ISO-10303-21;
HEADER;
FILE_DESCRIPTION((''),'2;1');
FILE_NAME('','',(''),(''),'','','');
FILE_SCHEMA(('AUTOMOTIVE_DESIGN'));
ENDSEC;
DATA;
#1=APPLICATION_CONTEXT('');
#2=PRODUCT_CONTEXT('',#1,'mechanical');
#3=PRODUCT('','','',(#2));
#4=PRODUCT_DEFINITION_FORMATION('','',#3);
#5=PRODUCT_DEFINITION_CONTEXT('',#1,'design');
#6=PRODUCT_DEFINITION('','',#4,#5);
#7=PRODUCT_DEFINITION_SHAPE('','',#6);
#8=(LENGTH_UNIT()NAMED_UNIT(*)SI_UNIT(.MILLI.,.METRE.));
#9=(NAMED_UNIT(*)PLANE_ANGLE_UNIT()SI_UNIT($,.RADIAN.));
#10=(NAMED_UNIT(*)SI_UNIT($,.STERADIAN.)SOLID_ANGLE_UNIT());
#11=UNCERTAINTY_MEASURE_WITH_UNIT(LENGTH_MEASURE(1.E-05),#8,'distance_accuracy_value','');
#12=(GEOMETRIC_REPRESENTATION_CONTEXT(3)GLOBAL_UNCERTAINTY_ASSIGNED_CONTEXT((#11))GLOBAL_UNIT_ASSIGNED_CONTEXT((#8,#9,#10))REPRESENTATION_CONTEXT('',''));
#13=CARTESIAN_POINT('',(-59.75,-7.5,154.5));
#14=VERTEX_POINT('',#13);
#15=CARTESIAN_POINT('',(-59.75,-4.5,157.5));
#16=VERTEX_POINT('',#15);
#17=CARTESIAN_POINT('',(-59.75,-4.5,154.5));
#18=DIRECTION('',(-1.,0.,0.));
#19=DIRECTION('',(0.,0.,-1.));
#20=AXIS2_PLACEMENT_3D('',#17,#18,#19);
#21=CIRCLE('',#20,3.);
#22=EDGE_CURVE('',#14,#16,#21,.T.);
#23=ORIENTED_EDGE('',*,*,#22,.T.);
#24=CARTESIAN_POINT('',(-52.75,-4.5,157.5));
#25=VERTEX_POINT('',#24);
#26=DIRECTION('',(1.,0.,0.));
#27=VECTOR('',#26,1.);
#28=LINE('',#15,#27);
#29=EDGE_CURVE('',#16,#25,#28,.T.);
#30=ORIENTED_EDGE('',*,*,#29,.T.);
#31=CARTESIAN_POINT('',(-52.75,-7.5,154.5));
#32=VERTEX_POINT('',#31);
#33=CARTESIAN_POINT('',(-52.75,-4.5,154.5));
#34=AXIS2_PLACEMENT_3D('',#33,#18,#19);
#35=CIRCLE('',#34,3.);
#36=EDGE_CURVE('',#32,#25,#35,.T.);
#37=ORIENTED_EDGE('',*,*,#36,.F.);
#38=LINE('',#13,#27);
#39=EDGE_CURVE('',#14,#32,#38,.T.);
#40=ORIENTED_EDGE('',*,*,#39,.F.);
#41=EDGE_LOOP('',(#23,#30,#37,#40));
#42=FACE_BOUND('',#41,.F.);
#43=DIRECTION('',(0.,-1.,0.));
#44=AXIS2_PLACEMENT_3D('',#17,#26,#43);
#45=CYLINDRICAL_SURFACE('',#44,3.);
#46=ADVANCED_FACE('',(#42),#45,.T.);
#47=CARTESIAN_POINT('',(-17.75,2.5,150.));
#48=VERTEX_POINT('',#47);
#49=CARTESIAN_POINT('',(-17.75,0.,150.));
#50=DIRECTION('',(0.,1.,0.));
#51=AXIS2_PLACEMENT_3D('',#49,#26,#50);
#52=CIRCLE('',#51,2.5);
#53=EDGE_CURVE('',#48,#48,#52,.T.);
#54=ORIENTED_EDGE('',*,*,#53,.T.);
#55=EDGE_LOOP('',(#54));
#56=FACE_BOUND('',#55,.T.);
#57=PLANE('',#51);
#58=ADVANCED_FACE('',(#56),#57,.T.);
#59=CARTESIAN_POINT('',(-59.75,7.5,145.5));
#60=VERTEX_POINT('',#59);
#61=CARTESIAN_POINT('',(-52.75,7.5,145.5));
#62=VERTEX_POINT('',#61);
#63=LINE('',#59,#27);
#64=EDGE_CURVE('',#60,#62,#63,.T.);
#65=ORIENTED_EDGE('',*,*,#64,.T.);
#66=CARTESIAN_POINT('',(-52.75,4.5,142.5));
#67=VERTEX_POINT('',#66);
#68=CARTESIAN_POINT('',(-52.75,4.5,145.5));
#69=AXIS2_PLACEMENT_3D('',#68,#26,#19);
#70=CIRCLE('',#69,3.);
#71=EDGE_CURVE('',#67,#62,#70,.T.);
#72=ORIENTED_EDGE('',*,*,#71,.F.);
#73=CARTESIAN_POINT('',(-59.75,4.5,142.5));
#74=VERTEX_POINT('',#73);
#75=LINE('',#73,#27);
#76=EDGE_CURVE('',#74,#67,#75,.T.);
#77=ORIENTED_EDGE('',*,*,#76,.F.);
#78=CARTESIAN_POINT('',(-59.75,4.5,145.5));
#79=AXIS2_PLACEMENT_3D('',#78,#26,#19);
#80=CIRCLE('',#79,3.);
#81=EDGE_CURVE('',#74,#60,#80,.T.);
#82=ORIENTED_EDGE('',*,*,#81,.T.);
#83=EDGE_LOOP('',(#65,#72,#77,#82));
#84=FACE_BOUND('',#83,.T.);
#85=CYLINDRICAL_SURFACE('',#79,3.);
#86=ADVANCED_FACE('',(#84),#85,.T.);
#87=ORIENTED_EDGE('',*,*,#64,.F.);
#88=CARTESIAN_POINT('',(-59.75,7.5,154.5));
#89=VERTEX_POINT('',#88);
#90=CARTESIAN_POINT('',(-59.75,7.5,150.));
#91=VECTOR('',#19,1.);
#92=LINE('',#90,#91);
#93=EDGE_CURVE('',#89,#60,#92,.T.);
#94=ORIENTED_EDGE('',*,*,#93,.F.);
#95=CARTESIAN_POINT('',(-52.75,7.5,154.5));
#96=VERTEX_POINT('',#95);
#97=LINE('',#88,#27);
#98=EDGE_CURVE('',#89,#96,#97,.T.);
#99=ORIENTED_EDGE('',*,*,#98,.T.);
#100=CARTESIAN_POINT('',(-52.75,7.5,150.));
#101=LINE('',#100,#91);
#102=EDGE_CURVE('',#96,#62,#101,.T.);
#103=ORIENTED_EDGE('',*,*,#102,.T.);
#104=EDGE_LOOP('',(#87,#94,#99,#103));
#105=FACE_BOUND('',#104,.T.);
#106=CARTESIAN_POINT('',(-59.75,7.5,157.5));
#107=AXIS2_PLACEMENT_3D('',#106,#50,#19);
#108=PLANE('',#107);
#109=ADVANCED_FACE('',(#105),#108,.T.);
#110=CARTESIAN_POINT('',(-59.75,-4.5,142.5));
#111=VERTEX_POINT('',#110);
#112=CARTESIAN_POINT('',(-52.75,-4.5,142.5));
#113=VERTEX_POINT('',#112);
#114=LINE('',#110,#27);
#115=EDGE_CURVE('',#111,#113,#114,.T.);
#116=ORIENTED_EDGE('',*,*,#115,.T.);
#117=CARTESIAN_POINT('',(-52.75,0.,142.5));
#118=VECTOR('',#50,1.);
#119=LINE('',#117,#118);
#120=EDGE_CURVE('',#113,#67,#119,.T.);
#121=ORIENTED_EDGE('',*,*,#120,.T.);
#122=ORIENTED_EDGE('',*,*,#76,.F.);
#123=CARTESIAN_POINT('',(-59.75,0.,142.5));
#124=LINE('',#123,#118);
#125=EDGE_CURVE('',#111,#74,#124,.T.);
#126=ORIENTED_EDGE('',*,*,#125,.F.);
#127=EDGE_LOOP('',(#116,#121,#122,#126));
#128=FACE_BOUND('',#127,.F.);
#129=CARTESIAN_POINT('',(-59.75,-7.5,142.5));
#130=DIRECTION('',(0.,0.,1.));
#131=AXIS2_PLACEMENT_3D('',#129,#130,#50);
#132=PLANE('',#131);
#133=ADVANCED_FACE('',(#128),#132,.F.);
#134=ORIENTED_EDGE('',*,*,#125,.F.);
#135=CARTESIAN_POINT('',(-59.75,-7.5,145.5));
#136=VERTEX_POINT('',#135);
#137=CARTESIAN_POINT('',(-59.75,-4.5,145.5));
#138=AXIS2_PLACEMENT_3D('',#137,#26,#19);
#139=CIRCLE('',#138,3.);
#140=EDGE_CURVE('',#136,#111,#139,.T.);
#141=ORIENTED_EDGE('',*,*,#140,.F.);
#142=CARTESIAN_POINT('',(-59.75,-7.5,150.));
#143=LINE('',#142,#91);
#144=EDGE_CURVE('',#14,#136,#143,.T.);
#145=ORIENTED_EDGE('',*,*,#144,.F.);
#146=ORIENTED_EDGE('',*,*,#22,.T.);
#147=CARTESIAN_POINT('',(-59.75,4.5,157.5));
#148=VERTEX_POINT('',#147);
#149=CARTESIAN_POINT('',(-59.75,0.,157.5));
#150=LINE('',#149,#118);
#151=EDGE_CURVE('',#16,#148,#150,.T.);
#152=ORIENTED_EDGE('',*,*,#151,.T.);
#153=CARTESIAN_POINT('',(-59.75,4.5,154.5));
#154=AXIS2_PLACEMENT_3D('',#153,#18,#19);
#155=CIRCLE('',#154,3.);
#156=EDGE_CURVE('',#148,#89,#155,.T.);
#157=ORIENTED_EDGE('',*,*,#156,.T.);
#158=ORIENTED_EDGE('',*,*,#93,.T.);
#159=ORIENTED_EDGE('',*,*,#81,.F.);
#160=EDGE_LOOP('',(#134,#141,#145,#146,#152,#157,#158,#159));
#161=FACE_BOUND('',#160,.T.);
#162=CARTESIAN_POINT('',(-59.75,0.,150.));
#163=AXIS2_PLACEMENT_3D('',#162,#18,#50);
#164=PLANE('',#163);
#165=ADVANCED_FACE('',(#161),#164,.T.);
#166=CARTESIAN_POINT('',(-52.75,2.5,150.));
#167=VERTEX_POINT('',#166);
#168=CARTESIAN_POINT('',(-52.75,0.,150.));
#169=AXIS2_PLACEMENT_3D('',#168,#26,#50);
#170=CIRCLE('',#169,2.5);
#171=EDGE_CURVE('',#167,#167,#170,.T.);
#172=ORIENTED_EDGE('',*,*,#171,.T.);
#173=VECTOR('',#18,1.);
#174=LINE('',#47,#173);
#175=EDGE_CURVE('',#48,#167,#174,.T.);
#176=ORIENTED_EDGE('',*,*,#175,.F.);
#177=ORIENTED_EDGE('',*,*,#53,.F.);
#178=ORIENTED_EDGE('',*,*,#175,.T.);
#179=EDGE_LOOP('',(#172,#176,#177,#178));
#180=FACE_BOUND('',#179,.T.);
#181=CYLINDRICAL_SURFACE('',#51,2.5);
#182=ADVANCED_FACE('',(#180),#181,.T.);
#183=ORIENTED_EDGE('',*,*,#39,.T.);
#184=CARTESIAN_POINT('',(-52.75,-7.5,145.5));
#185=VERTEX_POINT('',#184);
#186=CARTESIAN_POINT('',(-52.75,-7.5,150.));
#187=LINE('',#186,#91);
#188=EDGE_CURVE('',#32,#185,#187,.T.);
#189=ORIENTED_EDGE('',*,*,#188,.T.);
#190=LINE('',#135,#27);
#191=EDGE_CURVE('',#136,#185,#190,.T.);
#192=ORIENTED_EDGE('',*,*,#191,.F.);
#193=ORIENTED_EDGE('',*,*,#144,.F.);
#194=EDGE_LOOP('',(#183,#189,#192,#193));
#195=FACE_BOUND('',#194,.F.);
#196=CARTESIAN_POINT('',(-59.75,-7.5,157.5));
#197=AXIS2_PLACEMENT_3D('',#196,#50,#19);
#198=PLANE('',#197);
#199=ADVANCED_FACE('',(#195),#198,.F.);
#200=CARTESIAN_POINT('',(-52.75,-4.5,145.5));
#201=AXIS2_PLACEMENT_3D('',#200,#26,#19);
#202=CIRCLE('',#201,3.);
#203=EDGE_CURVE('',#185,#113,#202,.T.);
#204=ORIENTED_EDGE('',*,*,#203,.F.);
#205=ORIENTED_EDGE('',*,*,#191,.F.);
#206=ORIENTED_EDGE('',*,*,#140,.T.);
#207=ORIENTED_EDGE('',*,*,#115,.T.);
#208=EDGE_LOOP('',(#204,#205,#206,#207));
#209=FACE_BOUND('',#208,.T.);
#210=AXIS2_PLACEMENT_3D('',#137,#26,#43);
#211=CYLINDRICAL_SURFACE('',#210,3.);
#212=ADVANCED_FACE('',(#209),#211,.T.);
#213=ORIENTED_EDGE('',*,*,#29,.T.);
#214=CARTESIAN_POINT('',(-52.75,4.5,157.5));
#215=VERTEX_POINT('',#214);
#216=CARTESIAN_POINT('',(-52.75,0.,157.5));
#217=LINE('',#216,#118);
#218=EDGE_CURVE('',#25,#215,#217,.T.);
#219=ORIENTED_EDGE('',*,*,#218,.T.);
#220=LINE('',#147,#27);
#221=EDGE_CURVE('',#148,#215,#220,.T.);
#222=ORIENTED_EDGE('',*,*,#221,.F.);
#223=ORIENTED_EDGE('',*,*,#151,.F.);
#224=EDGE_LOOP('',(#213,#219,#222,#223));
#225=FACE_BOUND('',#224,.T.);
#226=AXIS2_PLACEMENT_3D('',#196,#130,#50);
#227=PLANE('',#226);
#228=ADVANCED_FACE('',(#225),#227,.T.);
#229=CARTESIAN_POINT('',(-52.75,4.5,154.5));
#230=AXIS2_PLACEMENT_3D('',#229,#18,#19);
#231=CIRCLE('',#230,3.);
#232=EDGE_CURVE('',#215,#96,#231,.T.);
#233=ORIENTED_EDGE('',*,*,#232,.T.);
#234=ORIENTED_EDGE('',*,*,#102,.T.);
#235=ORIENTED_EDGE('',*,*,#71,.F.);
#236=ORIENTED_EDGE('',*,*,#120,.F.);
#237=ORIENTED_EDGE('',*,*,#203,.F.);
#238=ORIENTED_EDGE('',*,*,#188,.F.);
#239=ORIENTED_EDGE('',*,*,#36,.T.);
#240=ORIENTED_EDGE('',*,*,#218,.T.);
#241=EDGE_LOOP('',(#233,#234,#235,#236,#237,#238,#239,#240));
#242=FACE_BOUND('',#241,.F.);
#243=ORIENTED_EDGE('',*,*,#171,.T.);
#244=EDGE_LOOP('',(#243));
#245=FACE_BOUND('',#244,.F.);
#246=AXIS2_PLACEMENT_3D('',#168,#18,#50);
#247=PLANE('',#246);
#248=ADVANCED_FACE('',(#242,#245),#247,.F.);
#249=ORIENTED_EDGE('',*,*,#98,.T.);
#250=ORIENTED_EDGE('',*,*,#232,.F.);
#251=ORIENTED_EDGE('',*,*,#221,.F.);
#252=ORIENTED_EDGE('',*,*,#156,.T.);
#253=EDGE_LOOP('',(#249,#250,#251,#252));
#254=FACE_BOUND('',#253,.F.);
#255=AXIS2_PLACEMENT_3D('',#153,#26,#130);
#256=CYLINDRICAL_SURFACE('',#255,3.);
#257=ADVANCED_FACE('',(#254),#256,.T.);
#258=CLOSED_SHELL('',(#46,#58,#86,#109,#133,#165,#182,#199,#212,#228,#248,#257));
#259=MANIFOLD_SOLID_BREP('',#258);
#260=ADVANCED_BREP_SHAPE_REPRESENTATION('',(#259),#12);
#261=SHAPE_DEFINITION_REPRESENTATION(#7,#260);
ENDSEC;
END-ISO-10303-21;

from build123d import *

# Parameters (mm, degrees)
SKETCH147_R             = 2.5
PAD077_DEPTH            = 42
SKETCH146_W             = 15
SKETCH146_H             = 15
PAD078_DEPTH            = 7
FILLET004_R             = 3
BODY044_PLACEMENT_ANGLE = 90


with BuildPart() as part:
    # Sketch147 → Pad077 (new body)
    with BuildSketch(Plane.XZ):
        Circle(SKETCH147_R)
    extrude(amount=-PAD077_DEPTH)

    # Sketch146 (on Face3 of Pad077) → Pad078 (join)
    with BuildSketch(Plane(origin=(0, 42, 0), x_dir=(1, 0, 0), z_dir=(0, 1, 0))):
        Rectangle(SKETCH146_W, SKETCH146_H)
    extrude(amount=-PAD078_DEPTH)

    # Fillet004
    fillet004_edges = [part.edges().sort_by_distance(p)[0] for p in [
        (7.5, 38.5, -7.5),
        (7.5, 38.5, 7.5),
        (-7.5, 38.5, 7.5),
        (-7.5, 38.5, -7.5),
    ]]
    fillet(fillet004_edges, radius=FILLET004_R)


with BuildPart() as part_1:
    # Body044 placement: moved
    add(part.part.moved(Location((-17.75, 0, 150))).rotate(Axis((-17.75, 0, 150), (0, 0, 1)), BODY044_PLACEMENT_ANGLE))


solid = part_1.part
